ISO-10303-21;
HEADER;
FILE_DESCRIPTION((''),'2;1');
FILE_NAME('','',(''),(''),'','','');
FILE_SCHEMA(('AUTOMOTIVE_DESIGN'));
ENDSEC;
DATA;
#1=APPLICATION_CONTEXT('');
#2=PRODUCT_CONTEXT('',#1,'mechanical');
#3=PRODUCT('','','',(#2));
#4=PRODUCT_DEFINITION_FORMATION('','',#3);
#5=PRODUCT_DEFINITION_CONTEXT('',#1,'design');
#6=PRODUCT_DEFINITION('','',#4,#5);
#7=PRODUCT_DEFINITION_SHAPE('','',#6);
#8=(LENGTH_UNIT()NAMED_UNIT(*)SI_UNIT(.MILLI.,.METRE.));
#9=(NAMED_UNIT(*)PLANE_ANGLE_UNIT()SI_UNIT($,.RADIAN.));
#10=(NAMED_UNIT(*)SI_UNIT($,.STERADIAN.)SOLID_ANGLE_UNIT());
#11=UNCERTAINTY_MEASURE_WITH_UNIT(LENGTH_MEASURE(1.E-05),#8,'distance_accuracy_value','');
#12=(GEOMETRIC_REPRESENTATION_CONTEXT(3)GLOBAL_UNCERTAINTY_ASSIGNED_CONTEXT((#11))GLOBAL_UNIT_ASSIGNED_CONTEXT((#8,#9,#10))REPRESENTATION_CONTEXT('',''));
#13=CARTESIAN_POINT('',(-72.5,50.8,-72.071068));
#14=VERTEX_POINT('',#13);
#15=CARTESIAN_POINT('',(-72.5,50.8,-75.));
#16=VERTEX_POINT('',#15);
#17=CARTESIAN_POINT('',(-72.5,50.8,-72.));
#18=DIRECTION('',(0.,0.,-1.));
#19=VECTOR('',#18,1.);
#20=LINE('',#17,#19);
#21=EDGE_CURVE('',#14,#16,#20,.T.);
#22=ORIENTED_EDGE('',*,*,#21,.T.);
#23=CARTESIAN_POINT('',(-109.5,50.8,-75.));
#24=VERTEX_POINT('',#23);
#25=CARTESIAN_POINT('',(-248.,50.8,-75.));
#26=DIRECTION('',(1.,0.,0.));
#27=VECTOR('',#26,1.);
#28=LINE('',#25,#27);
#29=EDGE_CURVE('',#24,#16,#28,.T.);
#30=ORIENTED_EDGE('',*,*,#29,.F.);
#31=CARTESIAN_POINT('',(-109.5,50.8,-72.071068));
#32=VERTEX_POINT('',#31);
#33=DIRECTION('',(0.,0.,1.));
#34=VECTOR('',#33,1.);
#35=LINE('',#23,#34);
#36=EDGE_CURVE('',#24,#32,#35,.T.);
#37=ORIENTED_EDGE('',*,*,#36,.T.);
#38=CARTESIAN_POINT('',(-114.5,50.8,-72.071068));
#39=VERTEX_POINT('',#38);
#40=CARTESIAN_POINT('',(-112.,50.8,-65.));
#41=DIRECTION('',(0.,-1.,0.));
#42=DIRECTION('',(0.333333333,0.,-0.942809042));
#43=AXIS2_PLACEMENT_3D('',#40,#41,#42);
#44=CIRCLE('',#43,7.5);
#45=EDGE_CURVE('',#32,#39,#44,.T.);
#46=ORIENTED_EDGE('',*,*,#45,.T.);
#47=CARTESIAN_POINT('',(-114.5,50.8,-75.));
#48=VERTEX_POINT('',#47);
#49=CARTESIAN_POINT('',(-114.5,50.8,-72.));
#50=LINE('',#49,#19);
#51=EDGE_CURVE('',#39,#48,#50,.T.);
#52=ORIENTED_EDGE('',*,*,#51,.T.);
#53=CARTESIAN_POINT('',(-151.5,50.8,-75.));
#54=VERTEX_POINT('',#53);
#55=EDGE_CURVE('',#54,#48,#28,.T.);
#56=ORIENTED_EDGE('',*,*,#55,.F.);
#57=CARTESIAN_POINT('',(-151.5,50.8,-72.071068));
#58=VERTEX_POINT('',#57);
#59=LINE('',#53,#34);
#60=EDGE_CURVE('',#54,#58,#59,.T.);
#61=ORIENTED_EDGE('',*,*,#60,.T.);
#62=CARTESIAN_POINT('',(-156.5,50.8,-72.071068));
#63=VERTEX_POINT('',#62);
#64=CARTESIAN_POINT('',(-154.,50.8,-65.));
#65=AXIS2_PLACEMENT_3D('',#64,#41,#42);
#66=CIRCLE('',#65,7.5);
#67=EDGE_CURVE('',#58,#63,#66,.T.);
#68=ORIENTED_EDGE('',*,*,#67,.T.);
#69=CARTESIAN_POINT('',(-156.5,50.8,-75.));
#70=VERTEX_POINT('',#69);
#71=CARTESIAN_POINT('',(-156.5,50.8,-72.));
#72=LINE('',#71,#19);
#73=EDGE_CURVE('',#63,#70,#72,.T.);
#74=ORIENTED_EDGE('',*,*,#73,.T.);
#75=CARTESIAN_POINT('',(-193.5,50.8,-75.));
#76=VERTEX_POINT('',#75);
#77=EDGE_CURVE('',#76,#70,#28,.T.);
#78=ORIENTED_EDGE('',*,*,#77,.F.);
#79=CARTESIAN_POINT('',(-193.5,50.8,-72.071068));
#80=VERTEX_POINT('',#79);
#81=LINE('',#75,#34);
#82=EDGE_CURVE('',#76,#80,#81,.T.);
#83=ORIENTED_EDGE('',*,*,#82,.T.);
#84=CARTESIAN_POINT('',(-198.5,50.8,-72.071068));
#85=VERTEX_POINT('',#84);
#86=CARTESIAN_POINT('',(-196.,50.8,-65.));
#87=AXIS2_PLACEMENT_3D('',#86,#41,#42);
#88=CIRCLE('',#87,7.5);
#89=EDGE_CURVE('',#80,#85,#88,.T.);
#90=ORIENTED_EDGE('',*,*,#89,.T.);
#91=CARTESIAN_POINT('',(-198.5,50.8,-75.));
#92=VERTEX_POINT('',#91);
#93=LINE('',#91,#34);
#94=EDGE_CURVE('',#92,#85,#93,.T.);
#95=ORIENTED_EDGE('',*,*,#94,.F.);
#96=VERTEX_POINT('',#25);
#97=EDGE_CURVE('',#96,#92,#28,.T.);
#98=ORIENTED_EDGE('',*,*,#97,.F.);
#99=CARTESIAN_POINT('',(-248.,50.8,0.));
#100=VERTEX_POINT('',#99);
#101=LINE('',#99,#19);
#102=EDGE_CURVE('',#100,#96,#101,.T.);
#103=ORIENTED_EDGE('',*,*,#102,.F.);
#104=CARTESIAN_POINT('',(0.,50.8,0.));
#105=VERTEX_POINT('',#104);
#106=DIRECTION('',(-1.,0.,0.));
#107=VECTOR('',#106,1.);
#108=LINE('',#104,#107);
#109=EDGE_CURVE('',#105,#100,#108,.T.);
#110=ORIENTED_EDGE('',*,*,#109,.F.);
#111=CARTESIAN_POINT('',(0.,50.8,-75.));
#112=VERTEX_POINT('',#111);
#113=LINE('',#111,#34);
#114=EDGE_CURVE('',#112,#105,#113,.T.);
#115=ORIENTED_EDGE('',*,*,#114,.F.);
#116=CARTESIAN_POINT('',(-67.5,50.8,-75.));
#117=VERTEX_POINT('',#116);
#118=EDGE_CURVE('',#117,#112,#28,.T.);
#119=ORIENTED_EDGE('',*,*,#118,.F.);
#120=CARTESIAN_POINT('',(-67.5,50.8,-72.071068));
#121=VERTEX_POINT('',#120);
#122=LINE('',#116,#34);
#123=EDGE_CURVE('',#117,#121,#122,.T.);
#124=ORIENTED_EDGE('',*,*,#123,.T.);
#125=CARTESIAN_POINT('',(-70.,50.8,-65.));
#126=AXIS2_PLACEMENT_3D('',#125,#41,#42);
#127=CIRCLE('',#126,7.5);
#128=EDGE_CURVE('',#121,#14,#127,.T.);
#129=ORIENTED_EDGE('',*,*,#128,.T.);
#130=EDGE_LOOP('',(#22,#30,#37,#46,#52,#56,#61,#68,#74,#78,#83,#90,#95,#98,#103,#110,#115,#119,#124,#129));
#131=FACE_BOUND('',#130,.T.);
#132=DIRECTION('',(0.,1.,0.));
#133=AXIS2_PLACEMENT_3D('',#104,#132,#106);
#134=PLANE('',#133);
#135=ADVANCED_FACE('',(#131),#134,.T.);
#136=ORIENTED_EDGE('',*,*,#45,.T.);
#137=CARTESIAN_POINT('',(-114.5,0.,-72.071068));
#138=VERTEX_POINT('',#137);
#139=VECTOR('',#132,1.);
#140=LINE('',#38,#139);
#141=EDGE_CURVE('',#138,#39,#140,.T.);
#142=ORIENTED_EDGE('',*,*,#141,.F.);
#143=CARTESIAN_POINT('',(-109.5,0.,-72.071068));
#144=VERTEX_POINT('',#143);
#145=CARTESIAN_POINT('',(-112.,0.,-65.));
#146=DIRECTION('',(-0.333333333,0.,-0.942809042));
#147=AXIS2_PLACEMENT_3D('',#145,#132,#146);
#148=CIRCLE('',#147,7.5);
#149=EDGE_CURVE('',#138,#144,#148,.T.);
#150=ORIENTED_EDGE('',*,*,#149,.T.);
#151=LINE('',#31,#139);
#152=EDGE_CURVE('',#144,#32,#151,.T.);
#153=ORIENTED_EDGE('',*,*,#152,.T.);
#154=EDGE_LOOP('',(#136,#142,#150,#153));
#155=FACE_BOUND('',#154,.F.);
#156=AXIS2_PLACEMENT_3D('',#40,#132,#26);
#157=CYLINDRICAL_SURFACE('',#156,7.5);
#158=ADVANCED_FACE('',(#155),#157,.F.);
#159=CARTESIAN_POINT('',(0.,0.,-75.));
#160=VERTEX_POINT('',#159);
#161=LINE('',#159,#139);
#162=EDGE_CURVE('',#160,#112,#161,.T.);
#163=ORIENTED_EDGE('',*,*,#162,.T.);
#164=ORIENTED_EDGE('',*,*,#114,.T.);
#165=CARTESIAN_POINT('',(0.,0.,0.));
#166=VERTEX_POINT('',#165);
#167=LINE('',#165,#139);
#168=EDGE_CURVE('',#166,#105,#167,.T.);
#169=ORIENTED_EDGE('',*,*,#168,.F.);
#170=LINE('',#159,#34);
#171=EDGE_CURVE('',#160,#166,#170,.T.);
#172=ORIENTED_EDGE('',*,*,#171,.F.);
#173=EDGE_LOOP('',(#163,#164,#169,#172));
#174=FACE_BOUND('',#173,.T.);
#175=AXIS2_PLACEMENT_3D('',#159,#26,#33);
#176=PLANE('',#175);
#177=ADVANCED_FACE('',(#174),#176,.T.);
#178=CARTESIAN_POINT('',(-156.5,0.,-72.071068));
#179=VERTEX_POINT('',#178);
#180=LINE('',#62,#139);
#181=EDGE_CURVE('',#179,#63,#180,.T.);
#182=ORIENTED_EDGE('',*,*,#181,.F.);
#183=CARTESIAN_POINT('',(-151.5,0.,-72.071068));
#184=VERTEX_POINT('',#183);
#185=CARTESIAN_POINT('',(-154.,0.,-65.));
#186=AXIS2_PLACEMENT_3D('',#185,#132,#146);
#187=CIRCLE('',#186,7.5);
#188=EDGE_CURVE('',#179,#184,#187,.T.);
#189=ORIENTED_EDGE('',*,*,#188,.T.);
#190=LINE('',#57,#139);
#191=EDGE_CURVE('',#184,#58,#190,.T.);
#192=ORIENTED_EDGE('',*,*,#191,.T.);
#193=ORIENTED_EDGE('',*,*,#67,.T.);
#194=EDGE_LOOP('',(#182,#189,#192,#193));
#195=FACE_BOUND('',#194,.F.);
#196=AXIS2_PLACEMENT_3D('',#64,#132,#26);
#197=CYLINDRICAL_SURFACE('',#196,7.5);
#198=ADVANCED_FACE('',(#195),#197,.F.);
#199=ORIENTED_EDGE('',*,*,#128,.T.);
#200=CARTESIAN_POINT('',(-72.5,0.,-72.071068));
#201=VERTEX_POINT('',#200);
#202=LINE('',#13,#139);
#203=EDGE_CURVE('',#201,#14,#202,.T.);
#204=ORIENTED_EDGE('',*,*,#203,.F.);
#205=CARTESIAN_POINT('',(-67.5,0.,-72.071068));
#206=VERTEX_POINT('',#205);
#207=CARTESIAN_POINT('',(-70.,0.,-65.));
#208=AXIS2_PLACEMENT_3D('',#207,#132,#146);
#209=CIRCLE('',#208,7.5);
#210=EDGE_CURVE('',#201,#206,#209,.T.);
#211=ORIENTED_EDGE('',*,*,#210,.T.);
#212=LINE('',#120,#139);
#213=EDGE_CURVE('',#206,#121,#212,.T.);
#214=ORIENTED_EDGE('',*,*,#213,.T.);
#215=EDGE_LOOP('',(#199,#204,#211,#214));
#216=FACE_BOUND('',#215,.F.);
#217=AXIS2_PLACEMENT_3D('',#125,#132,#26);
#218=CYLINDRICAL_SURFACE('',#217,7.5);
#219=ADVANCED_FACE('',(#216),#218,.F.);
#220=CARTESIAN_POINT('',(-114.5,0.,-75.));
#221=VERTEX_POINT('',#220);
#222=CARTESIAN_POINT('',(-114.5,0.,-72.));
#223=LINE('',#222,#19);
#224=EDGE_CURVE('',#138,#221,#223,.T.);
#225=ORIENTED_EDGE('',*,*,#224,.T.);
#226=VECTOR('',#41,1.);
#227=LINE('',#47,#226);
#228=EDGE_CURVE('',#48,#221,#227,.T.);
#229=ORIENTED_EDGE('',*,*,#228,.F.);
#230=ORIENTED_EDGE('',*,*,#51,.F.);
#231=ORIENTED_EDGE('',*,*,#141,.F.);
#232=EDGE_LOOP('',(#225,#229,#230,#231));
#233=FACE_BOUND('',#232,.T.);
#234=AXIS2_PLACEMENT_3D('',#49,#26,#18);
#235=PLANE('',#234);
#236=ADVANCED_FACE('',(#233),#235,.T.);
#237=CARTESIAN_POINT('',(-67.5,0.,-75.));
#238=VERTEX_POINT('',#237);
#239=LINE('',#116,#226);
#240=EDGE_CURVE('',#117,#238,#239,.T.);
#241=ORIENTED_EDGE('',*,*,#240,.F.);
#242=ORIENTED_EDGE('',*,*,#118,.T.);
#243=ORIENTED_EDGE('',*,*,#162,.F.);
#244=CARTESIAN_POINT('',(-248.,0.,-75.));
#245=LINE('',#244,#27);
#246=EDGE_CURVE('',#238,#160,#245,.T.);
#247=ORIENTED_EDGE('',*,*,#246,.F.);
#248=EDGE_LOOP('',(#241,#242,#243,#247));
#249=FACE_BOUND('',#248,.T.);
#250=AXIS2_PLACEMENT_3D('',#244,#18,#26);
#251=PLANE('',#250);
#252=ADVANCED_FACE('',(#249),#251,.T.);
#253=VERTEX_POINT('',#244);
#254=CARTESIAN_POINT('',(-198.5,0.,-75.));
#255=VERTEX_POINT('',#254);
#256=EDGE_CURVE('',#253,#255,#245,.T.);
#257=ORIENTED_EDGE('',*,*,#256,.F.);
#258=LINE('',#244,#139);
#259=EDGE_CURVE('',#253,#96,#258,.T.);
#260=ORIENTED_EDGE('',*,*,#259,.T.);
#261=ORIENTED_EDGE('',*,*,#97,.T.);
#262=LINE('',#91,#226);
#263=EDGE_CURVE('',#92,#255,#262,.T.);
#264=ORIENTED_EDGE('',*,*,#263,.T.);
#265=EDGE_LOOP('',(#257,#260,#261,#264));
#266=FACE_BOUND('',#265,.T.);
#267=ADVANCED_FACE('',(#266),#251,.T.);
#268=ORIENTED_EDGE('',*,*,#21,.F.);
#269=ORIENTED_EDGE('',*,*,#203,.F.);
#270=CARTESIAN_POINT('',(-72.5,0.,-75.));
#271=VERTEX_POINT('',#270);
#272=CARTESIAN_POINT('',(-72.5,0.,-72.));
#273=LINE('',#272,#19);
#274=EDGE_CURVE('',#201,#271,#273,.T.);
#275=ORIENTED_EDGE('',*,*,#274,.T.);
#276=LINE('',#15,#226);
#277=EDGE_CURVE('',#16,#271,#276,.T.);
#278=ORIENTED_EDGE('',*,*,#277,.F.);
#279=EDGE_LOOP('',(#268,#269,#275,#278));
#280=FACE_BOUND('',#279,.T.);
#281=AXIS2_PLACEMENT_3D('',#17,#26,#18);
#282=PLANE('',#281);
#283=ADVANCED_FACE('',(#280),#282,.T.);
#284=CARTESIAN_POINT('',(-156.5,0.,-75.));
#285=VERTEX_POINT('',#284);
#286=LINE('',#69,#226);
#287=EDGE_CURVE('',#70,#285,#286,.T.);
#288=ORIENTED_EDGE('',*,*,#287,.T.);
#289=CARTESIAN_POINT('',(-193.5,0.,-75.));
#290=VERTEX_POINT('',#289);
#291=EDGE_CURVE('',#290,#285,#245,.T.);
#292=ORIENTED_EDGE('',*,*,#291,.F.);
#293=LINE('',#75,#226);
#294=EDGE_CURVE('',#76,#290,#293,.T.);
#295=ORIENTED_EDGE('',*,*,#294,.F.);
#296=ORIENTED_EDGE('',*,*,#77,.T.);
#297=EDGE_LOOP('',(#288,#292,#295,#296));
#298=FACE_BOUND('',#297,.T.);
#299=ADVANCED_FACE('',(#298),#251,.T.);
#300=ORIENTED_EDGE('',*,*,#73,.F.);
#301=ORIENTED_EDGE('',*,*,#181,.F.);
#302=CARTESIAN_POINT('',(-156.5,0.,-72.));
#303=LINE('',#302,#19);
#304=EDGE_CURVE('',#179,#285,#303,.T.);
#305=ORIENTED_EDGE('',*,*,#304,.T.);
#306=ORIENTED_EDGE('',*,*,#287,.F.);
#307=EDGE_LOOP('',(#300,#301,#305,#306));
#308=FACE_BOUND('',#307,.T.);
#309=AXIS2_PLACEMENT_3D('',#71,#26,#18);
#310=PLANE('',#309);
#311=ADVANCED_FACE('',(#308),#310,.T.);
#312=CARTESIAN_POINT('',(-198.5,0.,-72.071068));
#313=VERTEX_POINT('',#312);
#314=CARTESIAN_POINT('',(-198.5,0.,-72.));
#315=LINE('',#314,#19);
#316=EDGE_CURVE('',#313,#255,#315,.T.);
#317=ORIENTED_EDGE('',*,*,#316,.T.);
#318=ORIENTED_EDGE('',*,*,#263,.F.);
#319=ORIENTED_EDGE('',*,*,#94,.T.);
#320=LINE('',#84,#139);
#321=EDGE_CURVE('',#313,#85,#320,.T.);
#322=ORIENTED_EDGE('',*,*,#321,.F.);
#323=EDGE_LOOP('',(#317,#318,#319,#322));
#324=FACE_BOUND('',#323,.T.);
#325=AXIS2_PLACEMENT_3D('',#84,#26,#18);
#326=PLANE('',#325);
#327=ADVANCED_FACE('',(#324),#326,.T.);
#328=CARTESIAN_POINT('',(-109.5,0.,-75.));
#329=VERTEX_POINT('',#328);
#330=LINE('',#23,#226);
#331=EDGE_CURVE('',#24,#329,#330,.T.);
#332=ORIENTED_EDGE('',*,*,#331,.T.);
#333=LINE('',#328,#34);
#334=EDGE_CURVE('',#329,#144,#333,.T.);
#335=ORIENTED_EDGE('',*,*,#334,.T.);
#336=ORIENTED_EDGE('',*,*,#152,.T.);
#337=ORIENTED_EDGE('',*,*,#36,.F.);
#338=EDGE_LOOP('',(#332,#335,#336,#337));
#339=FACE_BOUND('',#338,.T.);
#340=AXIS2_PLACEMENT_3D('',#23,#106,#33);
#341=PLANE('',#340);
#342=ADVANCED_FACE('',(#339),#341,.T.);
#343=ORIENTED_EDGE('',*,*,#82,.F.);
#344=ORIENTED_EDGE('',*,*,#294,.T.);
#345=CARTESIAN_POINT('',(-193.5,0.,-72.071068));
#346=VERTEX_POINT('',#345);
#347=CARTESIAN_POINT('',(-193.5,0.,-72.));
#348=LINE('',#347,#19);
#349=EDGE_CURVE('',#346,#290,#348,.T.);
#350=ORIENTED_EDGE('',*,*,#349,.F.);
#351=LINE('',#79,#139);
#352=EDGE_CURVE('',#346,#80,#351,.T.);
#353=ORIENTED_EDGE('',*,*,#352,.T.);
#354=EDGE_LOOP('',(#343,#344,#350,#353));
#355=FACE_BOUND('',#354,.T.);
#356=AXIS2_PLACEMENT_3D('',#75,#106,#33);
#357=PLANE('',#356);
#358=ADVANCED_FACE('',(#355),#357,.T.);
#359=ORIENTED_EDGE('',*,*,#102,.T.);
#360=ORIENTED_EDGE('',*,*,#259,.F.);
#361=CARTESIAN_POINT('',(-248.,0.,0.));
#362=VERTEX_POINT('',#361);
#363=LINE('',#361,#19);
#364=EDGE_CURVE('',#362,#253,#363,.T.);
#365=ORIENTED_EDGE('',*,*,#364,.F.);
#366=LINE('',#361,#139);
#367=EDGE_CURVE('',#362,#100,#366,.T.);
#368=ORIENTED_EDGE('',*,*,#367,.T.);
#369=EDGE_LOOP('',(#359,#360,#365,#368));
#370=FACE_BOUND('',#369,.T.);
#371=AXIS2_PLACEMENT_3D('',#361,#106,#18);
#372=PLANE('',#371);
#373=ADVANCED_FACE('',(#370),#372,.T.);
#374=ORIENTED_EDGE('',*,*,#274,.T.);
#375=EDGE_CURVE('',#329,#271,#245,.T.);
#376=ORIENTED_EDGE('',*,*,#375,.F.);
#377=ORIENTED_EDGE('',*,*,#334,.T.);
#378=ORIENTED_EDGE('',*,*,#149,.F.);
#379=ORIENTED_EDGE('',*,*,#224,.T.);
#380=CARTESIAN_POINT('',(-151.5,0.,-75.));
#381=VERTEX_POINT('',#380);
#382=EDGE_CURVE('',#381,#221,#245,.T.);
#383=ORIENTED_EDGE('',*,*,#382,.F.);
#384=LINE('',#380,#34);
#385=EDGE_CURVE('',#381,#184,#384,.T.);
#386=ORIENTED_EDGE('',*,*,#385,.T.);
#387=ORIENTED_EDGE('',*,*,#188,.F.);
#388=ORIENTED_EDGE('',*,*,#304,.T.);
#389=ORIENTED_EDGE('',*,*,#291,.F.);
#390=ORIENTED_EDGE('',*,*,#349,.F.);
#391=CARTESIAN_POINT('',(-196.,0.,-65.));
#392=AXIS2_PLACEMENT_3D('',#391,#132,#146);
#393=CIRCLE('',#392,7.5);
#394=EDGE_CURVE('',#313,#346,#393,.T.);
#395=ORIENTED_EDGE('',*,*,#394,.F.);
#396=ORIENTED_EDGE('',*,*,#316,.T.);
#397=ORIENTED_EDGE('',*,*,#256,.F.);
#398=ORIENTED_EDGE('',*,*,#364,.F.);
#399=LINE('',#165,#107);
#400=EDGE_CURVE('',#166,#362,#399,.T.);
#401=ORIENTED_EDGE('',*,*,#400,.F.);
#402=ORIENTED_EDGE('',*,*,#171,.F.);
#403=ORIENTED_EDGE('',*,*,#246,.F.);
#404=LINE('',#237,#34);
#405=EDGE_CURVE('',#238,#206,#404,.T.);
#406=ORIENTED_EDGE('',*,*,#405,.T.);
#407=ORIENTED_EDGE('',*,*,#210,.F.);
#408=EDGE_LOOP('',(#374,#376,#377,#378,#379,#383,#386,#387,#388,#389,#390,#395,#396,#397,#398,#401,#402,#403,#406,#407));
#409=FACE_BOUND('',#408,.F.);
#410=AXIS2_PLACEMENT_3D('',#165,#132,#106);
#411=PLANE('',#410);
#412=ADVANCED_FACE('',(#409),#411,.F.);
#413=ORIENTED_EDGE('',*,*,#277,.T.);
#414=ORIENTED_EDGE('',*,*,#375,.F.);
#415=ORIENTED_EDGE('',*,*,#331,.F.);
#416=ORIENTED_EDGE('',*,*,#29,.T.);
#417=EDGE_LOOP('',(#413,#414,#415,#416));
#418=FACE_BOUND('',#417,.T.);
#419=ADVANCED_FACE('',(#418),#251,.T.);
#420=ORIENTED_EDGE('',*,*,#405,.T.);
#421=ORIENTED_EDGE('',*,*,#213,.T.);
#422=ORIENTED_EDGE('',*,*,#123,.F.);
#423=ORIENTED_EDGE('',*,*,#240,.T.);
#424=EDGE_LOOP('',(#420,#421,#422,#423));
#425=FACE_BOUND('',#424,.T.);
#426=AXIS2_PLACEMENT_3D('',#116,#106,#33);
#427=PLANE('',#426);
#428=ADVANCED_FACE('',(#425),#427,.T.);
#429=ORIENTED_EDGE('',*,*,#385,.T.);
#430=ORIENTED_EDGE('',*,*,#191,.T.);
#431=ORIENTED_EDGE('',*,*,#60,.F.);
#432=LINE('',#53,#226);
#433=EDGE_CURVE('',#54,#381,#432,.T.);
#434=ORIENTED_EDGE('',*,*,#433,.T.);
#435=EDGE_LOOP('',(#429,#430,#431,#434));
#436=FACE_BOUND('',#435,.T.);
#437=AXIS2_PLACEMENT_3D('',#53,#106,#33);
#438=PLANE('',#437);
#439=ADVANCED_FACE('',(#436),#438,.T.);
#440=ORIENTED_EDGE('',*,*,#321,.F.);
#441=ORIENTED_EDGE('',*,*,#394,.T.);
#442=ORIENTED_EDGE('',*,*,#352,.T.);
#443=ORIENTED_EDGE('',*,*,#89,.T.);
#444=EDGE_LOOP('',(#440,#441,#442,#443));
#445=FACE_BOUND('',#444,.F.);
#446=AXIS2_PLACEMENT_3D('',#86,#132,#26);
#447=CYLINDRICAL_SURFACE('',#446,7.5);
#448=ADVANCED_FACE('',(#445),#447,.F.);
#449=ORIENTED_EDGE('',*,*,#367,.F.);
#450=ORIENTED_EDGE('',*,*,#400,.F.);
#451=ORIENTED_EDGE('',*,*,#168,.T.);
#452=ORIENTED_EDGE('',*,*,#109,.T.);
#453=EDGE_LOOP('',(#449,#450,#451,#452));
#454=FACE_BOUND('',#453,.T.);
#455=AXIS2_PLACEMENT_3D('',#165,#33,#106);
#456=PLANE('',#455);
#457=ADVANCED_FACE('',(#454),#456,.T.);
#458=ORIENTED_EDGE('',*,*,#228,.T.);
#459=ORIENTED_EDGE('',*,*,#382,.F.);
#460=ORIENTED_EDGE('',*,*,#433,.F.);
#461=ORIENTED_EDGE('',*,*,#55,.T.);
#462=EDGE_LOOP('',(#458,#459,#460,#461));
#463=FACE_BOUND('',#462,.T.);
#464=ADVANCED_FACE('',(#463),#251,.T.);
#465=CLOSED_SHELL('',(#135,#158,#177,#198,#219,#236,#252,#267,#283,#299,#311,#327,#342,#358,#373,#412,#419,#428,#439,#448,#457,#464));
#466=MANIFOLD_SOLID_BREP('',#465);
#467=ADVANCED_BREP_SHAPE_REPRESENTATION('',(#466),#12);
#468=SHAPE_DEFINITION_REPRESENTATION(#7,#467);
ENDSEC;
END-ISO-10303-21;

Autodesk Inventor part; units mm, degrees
ref_plane "YZ Plane" through (0, 0, 0) normal (1, 0, 0) x (0, 1, 0)
ref_plane "XZ Plane" through (0, 0, 0) normal (0, 1, 0) x (-1, 0, 0)
ref_plane "XY Plane" through (0, 0, 0) normal (0, 0, 1) x (1, 0, 0)
sketch "Sketch1" plane through (0, 0, 0) normal (0, 1, 0) x (-1, 0, 0)
  line L0 (0, 0) -> (248, 0)
  line L1 (248, 0) -> (248, -75)
  line L2 (248, -75) -> (0, -75)
  line L3 (0, -75) -> (0, 0)
  dimension "d0" = 248
  dimension "d1" = 75
extrude "Extrusion1" add sketch "Sketch1" along normal blind 50.8
sketch "Sketch2" plane through (0, 50.8, 0) normal (0, 1, 0) x (1, 0, 0)
  circle A0 centre (-196, 65) radius 7.5
  line L0 (0, 75) -> (-248, 75) projected
  line L1 (-248, 75) -> (-248, 0) projected
  circle A1 centre (-154, 65) radius 7.5
  circle A2 centre (-112, 65) radius 7.5
  circle A3 centre (-70, 65) radius 7.5
  point P0 (0, 0)
  dimension "d4" = 15
  dimension "d5" = 10
  dimension "d6" = 52
  dimension "d12" = 42
extrude "Extrusion2" cut sketch "Sketch2" against normal blind 50.8
sketch "Sketch3" plane through (0, 50.8, 0) normal (0, 1, 0) x (1, 0, 0)
  line L0 (0, 75) -> (-248, 75) projected
  line L1 (-198.5, 75) -> (-193.5, 75)
  line L2 (-193.5, 75) -> (-193.5, 72)
  line L3 (-193.5, 72) -> (-198.5, 72)
  line L4 (-198.5, 72) -> (-198.5, 75)
  circle A0 centre (-196, 65) radius 7.5 projected
  line L5 (-151.5, 75) -> (-151.5, 72)
  line L6 (-151.5, 72) -> (-156.5, 72)
  line L7 (-156.5, 72) -> (-156.5, 75)
  line L8 (-156.5, 75) -> (-151.5, 75)
  line L9 (-109.5, 75) -> (-109.5, 72)
  line L10 (-109.5, 72) -> (-114.5, 72)
  line L11 (-114.5, 72) -> (-114.5, 75)
  line L12 (-114.5, 75) -> (-109.5, 75)
  line L13 (-67.5, 75) -> (-67.5, 72)
  line L14 (-67.5, 72) -> (-72.5, 72)
  line L15 (-72.5, 72) -> (-72.5, 75)
  line L16 (-72.5, 75) -> (-67.5, 75)
  point P0 (0, 0)
  dimension "d16" = 5
  dimension "d17" = 3
  dimension "d18" = 2.5
  dimension "d24" = 42
extrude "Extrusion3" cut sketch "Sketch3" against normal blind 50.8 contours L13 L14 L15 L0 | L2 A0 L4 L0 | L5 L6 L7 L0 | L9 L10 L11 L0 | L2 L3 L4 A0 picked at (-196.2826, 72.1506)
properties part number "Lateral"
